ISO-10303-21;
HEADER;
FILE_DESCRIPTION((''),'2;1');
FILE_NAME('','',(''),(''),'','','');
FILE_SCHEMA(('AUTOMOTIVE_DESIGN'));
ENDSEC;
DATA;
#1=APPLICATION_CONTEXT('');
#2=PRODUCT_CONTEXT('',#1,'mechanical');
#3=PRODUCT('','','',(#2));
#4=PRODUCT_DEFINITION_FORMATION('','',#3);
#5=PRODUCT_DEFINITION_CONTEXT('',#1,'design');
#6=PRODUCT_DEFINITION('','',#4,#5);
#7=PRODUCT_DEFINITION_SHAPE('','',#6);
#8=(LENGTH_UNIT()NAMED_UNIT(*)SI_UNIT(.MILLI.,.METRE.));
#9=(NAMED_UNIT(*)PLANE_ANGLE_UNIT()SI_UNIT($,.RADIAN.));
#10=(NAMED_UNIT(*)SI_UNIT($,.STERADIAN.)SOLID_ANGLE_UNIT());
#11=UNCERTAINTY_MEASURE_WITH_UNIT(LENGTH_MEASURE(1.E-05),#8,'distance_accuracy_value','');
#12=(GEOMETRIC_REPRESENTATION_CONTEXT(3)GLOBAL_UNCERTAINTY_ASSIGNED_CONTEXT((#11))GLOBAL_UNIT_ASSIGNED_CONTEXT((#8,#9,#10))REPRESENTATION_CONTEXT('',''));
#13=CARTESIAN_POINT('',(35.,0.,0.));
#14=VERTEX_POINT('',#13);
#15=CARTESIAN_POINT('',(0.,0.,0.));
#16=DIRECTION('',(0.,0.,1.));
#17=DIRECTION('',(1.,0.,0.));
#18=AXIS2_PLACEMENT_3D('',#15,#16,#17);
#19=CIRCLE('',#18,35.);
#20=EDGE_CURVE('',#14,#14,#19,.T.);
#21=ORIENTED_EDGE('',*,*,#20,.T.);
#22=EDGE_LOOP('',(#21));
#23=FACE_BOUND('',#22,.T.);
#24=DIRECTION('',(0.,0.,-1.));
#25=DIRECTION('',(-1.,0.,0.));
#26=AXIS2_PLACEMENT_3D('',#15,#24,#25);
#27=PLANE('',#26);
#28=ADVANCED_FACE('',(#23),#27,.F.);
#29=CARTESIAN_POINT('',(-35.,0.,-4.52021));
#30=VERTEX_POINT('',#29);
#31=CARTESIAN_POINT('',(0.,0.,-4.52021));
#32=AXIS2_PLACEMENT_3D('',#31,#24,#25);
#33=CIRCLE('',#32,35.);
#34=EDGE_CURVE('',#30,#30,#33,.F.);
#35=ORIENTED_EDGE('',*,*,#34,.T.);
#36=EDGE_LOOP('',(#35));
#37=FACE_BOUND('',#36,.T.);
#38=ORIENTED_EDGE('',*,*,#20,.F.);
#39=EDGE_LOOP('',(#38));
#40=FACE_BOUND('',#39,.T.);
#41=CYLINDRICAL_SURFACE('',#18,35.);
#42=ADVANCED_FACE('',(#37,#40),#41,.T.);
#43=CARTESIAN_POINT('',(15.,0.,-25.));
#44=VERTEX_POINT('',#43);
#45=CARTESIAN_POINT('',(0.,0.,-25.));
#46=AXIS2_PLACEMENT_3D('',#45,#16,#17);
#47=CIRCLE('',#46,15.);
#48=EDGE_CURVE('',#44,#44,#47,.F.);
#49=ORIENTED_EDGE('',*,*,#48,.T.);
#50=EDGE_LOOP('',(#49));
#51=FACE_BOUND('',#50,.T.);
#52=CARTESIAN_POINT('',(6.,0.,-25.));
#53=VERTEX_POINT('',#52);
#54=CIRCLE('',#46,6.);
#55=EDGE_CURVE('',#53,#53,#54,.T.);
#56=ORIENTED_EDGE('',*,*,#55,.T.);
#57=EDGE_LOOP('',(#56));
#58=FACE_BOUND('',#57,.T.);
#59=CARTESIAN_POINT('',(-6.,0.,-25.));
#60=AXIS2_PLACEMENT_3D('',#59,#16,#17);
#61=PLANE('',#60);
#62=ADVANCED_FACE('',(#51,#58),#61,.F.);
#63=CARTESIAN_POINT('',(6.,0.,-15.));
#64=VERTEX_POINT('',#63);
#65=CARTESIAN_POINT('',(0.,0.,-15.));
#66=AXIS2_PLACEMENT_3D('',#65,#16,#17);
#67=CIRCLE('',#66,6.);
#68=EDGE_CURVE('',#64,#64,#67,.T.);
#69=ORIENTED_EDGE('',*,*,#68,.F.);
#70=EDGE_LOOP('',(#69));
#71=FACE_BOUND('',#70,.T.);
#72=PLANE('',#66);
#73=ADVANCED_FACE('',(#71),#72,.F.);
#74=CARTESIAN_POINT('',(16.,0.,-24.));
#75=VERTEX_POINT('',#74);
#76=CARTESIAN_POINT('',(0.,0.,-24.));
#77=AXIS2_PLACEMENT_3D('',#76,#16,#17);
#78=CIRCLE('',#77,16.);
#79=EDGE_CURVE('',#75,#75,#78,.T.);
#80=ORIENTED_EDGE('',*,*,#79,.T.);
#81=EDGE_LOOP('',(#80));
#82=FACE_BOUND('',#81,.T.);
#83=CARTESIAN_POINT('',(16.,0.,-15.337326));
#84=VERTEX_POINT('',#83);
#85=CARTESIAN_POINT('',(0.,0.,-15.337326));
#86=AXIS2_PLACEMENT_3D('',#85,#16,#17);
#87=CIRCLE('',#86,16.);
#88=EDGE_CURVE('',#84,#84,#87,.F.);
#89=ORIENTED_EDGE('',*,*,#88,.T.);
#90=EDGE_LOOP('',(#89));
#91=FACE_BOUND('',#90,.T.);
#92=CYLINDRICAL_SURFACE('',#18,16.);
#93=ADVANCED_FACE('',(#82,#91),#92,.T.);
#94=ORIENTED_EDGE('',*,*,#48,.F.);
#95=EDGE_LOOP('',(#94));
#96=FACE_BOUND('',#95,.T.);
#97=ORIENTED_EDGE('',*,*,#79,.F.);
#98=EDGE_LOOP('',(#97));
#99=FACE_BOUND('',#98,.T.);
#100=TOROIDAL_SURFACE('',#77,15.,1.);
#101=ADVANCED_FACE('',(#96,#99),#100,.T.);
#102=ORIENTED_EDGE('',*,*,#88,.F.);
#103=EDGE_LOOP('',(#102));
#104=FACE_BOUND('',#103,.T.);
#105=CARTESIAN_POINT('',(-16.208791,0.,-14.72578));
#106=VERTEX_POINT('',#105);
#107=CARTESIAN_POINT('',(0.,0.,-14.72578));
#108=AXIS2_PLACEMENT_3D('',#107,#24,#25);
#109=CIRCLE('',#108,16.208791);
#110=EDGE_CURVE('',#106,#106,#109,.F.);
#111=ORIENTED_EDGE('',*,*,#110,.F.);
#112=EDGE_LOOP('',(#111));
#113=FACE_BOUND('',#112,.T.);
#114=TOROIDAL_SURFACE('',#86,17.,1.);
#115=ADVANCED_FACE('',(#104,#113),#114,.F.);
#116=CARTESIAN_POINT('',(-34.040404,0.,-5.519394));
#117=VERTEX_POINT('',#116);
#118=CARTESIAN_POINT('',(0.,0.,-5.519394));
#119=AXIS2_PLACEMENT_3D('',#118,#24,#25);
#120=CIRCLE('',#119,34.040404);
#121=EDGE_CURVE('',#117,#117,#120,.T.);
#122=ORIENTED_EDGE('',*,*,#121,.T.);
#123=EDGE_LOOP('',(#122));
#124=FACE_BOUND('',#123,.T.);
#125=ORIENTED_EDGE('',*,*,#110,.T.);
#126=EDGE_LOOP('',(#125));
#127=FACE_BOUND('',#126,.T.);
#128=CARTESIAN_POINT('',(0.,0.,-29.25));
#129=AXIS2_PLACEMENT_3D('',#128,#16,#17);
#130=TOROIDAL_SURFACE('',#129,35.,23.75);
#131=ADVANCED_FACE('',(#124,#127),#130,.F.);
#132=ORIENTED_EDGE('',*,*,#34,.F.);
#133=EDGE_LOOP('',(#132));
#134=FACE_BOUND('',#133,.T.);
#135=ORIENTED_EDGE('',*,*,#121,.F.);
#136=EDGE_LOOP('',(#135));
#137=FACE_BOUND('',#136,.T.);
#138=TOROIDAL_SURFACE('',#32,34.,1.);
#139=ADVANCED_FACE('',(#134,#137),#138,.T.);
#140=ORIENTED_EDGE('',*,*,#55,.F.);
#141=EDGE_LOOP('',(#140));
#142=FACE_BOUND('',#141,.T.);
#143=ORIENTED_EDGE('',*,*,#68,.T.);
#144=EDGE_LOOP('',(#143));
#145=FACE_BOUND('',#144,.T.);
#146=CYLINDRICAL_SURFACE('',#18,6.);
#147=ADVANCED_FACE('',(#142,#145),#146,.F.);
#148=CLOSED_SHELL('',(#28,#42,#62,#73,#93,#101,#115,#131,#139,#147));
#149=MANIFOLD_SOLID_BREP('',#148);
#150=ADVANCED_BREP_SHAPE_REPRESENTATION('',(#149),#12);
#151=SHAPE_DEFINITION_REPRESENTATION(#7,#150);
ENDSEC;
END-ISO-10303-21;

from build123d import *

# Parameters (mm, degrees)
FILLET1_R = 1


with BuildPart() as part:
    # Sketch1 → Revolve1 (revolve)
    with BuildSketch(Plane(origin=(0, 0, 0), x_dir=(1, 0, 0), z_dir=(0, 1, 0)), mode=Mode.PRIVATE) as revolve1_sk:
        with BuildLine():
            Line((0, 0), (-35, 0))
            Line((-35, 0), (-35, 5.5))
            ThreePointArc((-35, 5.5), (-24.378677107, 8.007354214), (-16, 15))
            Line((-16, 15), (-16, 25))
            Line((-16, 25), (-6, 25))
            Line((-6, 25), (-6, 15))
            Line((-6, 15), (0, 15))
            Line((0, 15), (0, 0))
        make_face()
    revolve(revolve1_sk.sketch.rotate(Axis((0, 0, 0), (0, 0, -1)), 180), axis=Axis((0, 0, 0), (0, 0, -1)))

    # Fillet1
    fillet1_edges = [part.edges().sort_by_distance(p)[0] for p in [
        (-35, 0, -5.5),
        (-16, 0, -15),
        (-16, 0, -25),
    ]]
    fillet(fillet1_edges, radius=FILLET1_R)


solid = part.part
